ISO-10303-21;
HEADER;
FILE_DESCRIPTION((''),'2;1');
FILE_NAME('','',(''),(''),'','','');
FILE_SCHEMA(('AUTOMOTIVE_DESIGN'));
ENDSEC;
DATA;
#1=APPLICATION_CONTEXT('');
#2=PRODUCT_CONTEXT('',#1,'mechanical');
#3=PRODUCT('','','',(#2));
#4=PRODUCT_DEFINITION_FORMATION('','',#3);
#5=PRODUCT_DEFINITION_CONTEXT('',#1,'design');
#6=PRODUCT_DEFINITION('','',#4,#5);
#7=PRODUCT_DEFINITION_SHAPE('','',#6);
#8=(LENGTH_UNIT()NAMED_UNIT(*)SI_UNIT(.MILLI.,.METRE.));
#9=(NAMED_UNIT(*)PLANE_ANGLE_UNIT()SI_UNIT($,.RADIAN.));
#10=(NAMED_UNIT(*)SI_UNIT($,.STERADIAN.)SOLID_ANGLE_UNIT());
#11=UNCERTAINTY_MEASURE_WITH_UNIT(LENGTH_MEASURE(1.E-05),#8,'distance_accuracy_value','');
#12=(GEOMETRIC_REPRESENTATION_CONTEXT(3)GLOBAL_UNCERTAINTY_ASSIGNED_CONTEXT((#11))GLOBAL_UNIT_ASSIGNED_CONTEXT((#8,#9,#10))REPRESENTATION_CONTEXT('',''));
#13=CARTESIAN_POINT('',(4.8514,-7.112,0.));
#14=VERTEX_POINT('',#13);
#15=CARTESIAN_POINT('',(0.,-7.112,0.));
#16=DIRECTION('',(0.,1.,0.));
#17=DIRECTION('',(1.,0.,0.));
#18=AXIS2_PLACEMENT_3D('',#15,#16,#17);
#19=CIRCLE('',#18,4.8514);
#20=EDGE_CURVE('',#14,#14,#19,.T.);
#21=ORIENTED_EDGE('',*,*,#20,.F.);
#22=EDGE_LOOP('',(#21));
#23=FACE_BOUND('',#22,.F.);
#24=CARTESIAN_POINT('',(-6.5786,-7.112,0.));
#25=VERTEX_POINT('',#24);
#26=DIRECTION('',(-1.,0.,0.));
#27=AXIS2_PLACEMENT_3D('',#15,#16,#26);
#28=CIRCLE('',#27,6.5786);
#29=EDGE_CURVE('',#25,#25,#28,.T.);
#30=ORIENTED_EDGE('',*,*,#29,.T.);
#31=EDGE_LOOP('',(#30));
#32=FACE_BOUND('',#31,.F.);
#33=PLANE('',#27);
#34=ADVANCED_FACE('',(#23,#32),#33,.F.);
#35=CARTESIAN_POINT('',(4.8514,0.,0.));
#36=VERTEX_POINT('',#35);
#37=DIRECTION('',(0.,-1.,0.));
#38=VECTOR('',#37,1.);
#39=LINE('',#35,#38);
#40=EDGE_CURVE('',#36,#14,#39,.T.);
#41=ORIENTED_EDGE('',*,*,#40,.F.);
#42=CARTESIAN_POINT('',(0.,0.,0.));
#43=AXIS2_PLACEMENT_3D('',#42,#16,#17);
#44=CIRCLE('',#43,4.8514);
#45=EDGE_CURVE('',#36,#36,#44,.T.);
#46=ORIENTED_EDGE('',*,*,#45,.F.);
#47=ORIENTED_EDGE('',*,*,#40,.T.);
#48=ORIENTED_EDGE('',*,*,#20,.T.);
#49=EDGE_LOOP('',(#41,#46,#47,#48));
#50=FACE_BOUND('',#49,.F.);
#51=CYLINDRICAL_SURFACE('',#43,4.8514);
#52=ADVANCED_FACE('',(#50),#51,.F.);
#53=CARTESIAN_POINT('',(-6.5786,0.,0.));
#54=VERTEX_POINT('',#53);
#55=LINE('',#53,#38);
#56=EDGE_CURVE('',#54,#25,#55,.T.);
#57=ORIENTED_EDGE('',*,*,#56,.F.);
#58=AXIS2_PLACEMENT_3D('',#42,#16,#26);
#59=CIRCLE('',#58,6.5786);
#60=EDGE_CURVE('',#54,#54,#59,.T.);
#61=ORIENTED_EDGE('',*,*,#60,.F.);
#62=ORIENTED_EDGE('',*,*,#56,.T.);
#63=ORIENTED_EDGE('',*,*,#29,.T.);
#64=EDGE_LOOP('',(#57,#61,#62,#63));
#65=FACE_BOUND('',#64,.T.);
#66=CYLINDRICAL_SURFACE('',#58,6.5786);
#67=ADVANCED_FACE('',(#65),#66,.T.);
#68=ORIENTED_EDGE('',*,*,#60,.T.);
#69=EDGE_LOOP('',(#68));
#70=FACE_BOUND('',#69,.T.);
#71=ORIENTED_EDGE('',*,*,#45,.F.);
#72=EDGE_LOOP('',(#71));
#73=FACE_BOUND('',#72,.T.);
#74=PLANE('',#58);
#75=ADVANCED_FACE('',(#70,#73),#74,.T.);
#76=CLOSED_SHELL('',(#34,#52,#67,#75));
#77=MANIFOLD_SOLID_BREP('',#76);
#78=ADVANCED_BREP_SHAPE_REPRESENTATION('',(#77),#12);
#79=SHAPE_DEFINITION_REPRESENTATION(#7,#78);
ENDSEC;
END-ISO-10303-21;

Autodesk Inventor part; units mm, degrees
ref_plane "YZ Plane" through (0, 0, 0) normal (1, 0, 0) x (0, 1, 0)
ref_plane "XZ Plane" through (0, 0, 0) normal (0, 1, 0) x (-1, 0, 0)
ref_plane "XY Plane" through (0, 0, 0) normal (0, 0, 1) x (1, 0, 0)
sketch "Sketch1" plane through (0, 0, 0) normal (0, 1, 0) x (-1, 0, 0)
  circle A0 centre (0, 0) radius 6.5786
  dimension "d0" = 13.1572
extrude "Extrusion1" add sketch "Sketch1" against normal blind 7.112
sketch "Sketch2" plane through (0, 0, 0) normal (0, 1, 0) x (1, 0, 0)
  circle A0 centre (0, 0) radius 4.8514
  dimension "d3" = 9.7028
extrude "Extrusion2" cut sketch "Sketch2" against normal up to next
properties part number "am-1306" material "Nylon 6/6"
